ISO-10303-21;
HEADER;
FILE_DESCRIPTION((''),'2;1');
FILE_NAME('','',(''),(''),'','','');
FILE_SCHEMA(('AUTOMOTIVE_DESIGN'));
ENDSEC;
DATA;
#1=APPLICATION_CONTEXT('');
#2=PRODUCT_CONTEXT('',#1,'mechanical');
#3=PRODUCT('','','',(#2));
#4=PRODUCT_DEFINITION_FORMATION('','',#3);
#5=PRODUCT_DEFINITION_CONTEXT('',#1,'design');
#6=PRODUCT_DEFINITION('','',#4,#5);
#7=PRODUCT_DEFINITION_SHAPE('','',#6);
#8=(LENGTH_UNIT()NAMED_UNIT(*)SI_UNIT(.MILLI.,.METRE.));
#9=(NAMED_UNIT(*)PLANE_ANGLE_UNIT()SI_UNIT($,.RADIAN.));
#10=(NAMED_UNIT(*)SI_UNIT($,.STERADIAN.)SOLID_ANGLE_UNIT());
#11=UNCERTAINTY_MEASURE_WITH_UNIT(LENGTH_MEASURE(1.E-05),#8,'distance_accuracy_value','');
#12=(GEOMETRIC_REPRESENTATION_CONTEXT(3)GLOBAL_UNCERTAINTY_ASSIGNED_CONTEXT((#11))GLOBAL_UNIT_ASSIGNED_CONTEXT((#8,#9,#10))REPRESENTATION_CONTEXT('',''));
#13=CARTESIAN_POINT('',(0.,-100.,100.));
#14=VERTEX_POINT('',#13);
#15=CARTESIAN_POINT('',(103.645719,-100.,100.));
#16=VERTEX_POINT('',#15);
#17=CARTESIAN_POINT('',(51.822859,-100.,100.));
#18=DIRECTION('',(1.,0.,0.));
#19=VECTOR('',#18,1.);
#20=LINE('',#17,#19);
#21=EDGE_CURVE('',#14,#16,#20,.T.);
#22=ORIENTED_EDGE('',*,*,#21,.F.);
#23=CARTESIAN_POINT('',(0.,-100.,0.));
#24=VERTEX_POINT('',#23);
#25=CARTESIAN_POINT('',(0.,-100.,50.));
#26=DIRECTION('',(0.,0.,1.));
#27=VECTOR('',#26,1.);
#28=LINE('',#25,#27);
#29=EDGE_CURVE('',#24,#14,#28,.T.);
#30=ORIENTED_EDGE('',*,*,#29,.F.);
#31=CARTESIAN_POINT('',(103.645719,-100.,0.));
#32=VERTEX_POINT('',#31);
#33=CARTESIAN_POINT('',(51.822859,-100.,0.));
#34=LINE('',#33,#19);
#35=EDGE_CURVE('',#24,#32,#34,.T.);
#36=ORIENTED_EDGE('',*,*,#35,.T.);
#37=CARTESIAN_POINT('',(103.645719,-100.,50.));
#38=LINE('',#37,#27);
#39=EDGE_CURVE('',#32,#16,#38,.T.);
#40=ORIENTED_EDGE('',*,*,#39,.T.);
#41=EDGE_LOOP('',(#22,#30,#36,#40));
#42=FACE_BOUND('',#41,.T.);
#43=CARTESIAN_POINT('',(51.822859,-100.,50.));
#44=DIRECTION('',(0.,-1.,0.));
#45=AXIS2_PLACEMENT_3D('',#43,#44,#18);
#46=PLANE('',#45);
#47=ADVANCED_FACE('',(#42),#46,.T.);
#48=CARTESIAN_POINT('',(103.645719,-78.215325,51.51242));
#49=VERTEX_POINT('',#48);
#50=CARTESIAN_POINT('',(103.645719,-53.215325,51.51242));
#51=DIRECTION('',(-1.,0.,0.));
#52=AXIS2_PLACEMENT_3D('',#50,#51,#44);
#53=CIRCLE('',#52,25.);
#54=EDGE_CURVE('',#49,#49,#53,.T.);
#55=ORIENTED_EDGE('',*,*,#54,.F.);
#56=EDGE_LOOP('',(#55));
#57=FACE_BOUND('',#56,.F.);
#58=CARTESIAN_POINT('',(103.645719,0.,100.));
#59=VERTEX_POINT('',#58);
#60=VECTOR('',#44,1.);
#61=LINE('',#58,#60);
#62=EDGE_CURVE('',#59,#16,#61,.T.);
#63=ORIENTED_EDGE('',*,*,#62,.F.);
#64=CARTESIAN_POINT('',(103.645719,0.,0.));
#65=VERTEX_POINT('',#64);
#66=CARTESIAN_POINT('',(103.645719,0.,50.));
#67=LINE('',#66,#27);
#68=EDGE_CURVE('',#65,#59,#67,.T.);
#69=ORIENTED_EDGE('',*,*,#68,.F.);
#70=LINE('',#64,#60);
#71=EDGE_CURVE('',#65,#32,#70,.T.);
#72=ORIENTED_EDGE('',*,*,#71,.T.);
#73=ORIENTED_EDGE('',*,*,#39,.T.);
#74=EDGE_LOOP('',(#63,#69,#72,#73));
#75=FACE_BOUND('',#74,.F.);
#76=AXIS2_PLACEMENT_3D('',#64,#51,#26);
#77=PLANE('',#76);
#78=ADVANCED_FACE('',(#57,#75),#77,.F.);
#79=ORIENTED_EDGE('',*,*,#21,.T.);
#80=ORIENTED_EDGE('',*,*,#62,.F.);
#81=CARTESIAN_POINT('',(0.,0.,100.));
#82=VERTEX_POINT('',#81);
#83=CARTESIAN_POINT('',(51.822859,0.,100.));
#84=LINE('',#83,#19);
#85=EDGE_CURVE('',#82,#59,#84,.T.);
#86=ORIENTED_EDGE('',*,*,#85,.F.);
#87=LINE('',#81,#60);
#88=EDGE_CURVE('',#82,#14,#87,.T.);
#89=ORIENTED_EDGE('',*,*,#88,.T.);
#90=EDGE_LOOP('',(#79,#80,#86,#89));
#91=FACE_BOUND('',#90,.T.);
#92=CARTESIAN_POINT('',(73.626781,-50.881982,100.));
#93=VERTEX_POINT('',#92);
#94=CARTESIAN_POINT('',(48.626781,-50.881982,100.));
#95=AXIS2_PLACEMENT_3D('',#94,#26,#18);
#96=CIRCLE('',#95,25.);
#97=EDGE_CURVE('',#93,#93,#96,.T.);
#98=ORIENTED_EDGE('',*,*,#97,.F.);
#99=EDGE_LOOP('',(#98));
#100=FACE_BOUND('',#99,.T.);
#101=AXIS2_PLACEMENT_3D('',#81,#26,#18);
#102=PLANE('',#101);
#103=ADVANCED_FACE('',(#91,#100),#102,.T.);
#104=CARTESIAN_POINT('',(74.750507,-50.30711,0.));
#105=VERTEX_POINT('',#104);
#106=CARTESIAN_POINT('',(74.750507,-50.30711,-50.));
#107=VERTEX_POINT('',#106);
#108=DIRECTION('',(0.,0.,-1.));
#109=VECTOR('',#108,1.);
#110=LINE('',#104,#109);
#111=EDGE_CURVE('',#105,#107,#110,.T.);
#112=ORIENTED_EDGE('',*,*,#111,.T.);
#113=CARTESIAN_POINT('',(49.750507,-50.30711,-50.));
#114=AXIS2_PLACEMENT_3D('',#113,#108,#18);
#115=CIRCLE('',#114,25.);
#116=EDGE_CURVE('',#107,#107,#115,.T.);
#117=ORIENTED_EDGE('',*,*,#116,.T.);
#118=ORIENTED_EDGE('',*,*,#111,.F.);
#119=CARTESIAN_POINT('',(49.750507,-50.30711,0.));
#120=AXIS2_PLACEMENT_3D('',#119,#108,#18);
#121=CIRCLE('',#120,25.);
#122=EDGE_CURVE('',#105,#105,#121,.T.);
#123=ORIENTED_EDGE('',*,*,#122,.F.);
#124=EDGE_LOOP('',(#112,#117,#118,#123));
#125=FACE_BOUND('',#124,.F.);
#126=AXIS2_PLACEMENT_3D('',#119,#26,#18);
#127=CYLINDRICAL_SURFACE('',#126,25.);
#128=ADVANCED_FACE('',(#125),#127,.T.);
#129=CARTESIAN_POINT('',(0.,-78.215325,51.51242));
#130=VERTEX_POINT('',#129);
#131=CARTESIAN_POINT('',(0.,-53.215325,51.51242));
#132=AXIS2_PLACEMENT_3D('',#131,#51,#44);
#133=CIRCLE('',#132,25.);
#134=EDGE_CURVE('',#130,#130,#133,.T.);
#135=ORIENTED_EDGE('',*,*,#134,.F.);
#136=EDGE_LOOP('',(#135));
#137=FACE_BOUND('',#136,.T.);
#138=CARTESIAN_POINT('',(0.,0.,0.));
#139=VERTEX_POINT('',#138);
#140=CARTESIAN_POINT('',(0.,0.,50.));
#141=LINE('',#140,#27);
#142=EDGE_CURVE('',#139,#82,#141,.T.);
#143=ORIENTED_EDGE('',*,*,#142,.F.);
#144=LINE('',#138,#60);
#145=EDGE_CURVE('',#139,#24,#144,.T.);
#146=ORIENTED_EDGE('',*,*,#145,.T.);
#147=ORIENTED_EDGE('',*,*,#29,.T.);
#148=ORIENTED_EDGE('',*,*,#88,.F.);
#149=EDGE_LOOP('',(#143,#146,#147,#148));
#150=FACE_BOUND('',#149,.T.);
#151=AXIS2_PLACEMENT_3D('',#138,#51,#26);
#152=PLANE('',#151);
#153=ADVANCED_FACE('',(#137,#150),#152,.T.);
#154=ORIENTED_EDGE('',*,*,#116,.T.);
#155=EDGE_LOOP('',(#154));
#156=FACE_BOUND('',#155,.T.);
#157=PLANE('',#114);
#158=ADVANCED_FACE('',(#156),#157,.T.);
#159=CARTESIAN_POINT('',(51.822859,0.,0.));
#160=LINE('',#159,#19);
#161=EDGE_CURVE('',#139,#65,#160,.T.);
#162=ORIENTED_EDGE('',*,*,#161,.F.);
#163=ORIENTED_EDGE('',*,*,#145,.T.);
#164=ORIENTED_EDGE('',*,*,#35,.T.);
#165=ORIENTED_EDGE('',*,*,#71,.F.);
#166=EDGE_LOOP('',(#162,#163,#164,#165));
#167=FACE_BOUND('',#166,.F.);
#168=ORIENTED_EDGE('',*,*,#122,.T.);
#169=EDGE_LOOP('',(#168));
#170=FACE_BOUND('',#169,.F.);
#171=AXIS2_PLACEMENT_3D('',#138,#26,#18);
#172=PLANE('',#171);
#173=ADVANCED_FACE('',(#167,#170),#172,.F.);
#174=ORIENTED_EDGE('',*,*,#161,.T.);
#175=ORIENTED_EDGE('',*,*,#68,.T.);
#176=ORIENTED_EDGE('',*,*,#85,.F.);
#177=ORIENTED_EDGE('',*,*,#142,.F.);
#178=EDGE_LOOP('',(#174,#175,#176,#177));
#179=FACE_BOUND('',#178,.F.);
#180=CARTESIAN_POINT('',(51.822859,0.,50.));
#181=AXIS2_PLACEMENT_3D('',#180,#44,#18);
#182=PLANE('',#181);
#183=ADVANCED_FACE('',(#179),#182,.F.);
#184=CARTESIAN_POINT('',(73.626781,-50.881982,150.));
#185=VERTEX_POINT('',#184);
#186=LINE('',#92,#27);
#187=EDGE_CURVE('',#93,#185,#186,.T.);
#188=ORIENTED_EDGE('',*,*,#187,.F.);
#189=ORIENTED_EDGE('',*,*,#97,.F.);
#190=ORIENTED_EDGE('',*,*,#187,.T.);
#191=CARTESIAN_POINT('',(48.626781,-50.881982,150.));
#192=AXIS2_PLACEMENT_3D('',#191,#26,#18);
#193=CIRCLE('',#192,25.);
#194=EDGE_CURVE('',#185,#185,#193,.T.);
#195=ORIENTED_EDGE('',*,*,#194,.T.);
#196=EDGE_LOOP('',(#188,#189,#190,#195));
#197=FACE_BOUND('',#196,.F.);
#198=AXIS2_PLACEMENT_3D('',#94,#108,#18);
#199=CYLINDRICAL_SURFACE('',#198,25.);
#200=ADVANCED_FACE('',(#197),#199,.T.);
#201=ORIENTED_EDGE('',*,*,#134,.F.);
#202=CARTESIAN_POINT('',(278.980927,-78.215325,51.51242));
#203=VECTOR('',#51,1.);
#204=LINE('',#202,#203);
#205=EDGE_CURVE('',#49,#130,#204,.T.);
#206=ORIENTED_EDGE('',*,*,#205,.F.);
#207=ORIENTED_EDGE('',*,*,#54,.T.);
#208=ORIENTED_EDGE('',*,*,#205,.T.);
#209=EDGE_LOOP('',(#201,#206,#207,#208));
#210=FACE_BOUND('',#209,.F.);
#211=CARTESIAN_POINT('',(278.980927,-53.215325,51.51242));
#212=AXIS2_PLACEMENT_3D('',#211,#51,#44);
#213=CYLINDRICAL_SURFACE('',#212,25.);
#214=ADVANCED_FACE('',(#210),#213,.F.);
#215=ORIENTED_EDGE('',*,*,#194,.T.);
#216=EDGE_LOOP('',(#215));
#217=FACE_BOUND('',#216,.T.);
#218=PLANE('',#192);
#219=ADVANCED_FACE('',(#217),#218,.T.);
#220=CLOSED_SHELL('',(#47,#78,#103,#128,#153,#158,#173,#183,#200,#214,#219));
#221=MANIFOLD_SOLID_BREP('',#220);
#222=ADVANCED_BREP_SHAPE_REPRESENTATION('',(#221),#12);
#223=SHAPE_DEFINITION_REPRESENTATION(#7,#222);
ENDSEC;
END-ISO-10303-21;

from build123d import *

# Parameters (mm, degrees)
F1_W     = 103.645719
F1_H     = 100
F2_DEPTH = 100
F6_D     = 50
F3_R     = 25
F7_DEPTH = 50
F4_R     = 25
F8_DEPTH = 50


with BuildPart() as f2:
    # F1 (on face) → F2 (new body)
    with BuildSketch(Plane.XZ):
        with Locations((51.822859, 50)):
            Rectangle(F1_W, F1_H)
    extrude(amount=F2_DEPTH)

    # F6 (through all)
    with Locations(Plane.YZ.offset(103.645719)):
        with Locations((-53.215325, 51.51242)):
            Hole(F6_D / 2)

    # F3 (on face) → F7 (join)
    with BuildSketch(Plane.XY.offset(100)):
        with Locations((48.626781, -50.881982)):
            Circle(F3_R)
    extrude(amount=F7_DEPTH)

    # F4 (on face) → F8 (join)
    with BuildSketch(Plane(origin=(0, 0, 0), x_dir=(1, 0, 0), z_dir=(0, 0, -1))):
        with Locations((49.750507, 50.30711)):
            Circle(F4_R)
    extrude(amount=F8_DEPTH)


solid = f2.part
